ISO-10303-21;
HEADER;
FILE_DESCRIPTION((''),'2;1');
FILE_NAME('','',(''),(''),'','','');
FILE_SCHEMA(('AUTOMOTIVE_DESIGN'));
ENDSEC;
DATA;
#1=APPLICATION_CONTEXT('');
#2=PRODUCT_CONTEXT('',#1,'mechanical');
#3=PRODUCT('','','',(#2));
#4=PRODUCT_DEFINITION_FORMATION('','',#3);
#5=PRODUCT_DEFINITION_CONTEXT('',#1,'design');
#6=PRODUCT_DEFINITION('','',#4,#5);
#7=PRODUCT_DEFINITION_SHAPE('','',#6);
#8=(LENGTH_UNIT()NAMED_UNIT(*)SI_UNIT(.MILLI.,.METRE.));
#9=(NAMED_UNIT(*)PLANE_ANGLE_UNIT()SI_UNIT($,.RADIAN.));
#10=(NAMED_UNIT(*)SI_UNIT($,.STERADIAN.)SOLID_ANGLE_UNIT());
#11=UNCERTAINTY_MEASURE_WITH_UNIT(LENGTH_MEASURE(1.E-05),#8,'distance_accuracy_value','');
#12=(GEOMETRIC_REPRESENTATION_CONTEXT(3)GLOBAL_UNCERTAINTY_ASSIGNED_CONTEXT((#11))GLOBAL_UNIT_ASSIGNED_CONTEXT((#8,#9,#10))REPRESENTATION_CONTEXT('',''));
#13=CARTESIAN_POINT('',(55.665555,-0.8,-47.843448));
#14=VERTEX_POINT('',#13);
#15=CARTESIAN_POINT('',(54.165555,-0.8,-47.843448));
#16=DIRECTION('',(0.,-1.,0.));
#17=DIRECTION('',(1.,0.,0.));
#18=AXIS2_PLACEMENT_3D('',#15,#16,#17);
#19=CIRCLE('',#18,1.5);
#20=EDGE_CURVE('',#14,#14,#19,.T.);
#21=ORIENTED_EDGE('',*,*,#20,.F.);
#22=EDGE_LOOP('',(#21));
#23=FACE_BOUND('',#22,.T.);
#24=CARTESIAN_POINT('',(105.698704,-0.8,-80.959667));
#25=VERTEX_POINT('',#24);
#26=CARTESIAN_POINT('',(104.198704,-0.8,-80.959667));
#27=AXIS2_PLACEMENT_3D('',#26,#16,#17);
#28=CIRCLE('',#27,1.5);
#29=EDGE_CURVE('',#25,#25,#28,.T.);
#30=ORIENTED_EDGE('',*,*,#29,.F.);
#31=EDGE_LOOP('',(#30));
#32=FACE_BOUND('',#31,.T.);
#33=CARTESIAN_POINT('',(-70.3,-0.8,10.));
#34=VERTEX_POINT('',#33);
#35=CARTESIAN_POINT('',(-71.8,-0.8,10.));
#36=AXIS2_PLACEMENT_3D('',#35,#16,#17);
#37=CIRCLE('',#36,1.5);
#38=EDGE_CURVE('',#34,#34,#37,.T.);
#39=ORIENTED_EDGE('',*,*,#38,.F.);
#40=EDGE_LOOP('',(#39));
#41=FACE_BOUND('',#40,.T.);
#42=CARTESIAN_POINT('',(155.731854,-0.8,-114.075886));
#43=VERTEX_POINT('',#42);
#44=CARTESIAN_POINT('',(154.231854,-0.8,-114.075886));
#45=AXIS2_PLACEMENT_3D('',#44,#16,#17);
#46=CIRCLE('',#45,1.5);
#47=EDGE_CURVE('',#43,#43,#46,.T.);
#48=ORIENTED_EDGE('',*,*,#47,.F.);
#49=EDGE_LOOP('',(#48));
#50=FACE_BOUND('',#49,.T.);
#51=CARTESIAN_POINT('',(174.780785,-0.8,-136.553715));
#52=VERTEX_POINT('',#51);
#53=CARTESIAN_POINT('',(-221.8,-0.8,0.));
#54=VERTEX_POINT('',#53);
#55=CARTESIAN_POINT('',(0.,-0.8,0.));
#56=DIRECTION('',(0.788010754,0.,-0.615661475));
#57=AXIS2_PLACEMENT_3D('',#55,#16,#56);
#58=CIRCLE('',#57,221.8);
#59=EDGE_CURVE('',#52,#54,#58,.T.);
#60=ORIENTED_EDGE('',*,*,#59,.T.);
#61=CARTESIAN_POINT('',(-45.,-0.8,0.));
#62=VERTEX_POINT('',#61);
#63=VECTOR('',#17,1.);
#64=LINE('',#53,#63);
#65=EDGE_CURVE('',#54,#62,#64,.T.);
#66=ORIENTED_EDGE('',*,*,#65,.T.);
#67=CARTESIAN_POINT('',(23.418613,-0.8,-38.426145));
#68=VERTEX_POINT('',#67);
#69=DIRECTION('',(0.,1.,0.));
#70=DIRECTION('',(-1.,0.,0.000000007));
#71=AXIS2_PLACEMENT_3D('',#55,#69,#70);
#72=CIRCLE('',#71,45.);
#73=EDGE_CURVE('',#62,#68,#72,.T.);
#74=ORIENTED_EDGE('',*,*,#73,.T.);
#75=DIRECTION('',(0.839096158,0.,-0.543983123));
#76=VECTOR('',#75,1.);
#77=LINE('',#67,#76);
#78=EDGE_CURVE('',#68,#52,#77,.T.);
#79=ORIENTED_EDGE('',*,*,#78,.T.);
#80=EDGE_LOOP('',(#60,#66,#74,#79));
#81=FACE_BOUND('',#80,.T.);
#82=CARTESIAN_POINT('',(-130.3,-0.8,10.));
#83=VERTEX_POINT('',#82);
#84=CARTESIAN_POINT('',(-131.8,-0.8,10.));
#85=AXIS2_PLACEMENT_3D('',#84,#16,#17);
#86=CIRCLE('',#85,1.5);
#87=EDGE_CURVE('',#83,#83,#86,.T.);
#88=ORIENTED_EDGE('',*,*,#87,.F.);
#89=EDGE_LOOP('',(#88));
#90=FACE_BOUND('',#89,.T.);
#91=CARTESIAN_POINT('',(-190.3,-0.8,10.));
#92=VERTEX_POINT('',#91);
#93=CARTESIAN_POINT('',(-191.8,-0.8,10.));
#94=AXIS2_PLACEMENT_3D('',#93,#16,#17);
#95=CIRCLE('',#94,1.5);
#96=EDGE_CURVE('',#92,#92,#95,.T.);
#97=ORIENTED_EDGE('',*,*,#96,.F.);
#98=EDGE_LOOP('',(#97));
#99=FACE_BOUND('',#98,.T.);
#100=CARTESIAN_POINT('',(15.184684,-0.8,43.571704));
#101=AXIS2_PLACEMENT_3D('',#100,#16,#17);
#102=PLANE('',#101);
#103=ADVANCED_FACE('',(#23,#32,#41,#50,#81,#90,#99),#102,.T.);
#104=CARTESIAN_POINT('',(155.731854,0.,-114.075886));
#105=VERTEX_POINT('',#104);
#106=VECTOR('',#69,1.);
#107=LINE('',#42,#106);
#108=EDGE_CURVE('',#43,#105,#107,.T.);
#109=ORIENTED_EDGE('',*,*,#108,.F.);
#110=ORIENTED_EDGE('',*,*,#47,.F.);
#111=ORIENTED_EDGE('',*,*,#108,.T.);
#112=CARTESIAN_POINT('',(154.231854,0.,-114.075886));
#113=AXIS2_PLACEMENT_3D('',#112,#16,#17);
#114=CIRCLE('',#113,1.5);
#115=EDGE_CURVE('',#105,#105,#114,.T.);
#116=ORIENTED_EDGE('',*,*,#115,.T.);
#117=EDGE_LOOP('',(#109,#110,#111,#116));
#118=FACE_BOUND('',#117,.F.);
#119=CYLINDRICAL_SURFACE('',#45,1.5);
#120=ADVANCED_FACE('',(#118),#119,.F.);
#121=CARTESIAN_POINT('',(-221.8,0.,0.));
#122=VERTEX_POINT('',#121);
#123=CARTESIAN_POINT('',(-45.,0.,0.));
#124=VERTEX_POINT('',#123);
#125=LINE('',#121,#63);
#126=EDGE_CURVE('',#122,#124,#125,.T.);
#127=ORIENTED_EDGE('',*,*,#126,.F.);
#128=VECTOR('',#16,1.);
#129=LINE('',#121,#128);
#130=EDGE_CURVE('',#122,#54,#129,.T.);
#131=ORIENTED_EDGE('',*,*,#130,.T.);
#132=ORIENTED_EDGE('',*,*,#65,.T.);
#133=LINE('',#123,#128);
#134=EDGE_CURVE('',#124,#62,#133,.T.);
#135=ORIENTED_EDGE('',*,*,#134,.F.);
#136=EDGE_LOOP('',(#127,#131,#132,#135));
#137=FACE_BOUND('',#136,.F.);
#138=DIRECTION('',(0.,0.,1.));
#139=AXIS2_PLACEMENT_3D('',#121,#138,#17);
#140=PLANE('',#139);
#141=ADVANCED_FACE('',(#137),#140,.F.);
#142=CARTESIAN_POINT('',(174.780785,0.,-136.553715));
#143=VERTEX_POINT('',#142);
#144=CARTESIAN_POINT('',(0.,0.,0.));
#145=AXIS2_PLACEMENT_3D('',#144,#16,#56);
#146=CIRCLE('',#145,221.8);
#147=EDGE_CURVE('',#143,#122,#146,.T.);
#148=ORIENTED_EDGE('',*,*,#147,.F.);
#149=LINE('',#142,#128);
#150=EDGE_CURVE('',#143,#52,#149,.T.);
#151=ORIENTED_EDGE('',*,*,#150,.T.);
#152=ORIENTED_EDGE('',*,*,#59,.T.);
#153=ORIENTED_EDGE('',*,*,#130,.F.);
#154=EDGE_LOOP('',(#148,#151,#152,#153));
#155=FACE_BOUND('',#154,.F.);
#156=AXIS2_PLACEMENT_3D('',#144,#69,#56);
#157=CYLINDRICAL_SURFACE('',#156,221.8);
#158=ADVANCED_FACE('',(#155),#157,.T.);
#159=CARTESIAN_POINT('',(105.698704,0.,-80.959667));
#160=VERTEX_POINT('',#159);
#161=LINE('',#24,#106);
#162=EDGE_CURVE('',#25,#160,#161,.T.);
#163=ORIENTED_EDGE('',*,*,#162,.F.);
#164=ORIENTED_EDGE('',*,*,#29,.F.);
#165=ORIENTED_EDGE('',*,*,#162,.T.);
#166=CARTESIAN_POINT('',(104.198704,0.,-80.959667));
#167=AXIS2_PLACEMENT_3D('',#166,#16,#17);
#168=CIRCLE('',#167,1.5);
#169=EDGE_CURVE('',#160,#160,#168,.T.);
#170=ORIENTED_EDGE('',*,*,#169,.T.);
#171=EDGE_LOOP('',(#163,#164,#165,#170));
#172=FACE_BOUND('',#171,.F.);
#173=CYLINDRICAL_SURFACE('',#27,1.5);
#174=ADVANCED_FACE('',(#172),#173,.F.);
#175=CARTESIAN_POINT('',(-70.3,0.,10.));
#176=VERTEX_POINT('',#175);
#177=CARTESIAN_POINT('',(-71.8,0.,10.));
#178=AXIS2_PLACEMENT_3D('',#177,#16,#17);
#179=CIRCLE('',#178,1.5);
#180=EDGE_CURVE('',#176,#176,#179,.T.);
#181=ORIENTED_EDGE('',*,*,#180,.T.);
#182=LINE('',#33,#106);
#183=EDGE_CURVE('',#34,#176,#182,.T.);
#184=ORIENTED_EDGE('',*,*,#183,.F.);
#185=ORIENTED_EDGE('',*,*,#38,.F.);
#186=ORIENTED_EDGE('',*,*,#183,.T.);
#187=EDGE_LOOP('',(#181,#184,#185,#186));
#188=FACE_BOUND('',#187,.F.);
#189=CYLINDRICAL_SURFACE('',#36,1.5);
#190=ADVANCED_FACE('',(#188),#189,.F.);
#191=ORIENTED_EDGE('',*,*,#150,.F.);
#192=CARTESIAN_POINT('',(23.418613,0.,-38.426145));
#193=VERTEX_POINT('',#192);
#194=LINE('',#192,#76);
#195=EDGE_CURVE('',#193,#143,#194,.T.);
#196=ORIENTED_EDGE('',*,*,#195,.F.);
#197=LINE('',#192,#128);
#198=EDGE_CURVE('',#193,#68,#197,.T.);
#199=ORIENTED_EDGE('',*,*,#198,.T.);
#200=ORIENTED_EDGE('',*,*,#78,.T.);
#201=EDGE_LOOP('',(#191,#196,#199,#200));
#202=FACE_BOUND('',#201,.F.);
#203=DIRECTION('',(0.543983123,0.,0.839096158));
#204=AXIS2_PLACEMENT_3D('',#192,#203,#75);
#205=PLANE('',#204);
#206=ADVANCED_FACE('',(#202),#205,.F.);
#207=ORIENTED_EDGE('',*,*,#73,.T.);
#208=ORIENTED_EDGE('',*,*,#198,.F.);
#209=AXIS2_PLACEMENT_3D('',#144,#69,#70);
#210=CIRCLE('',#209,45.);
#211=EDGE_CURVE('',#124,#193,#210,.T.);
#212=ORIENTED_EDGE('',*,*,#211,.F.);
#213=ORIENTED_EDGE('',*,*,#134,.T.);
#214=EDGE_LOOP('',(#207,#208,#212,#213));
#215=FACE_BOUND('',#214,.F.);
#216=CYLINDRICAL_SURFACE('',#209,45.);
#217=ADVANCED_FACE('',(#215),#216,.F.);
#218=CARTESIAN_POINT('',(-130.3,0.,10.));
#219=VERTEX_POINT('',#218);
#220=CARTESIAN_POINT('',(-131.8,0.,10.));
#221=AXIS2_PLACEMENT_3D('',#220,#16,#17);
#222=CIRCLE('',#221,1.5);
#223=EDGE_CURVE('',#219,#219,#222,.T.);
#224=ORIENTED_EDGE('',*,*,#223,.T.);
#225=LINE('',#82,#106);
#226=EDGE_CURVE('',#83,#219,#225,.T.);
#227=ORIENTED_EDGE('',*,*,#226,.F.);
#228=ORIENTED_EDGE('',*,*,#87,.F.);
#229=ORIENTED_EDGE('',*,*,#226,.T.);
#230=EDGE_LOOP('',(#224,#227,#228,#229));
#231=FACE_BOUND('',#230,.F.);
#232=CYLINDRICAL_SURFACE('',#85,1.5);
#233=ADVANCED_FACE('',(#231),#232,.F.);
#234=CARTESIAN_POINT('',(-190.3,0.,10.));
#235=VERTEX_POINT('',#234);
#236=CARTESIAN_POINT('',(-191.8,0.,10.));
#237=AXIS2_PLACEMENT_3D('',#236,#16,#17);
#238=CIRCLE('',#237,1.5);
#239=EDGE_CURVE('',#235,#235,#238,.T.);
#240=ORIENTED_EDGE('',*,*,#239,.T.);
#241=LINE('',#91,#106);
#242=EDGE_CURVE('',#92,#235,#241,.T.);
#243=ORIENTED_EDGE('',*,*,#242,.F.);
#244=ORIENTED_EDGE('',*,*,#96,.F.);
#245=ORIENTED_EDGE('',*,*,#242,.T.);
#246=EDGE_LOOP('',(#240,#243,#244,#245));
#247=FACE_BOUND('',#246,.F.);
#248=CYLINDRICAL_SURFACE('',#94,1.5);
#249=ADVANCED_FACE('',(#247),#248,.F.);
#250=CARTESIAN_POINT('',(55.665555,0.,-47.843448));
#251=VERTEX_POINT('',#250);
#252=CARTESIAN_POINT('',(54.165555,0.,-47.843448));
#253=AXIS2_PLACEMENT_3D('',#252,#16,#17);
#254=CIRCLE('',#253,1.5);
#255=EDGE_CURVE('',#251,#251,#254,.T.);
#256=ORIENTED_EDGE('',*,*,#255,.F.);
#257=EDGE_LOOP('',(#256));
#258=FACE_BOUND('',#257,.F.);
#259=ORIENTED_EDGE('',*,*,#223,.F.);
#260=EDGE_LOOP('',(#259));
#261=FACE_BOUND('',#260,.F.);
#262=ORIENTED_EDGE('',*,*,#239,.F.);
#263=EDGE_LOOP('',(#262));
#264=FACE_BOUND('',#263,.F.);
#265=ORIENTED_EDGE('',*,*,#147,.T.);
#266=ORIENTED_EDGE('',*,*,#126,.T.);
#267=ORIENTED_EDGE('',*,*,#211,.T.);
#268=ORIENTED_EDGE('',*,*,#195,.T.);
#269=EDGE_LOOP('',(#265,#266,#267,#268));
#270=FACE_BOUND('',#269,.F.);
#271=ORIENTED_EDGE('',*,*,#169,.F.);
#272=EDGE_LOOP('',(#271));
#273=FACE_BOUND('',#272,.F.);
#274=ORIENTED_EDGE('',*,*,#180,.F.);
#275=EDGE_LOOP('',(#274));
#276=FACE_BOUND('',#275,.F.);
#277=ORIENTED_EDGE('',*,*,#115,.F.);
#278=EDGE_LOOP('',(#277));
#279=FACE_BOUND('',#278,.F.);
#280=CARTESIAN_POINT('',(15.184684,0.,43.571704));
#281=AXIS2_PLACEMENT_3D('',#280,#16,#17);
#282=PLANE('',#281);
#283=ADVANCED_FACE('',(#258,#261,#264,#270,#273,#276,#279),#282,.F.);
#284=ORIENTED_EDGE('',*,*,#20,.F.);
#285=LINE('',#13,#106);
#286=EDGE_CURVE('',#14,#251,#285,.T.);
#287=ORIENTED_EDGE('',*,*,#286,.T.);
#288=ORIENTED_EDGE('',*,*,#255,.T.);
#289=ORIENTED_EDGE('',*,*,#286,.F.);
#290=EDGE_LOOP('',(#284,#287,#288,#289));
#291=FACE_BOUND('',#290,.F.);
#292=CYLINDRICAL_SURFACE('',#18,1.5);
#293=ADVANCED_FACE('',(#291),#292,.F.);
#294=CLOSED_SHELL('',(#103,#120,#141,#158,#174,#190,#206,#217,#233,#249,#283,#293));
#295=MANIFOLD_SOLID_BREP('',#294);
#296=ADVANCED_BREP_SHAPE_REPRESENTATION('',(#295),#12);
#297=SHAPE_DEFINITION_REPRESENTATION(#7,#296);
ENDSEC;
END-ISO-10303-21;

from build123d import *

# Parameters (mm, degrees)
F3_DEPTH = 0.8
F4_R     = 1.5
F5_DEPTH = 25


with BuildPart() as f3:
    # F2 (on Front) → F3 (new body)
    with BuildSketch(Plane.XZ):
        with BuildLine():
            ThreePointArc((-45, 0), (22.035907, 39.235428), (23.418613, -38.426145))
            Line((23.418613, -38.426145), (174.780785, -136.553715))
            ThreePointArc((174.780785, -136.553715), (72.211017, 209.71602), (-221.8, 0))
            Line((-221.8, 0), (-45, 0))
        make_face()
    extrude(amount=F3_DEPTH)

    # F4 (on face) → F5 (cut)
    with BuildSketch(Plane.XZ.offset(0.8)):
        with Locations((-191.8, 10)):
            Circle(F4_R)
        with Locations((-131.8, 10)):
            Circle(F4_R)
        with Locations((-71.8, 10)):
            Circle(F4_R)
        with Locations((154.231854, -114.075886)):
            Circle(F4_R)
        with Locations((104.198704, -80.959667)):
            Circle(F4_R)
        with Locations((54.165555, -47.843448)):
            Circle(F4_R)
    extrude(amount=-F5_DEPTH, mode=Mode.SUBTRACT)


solid = f3.part
